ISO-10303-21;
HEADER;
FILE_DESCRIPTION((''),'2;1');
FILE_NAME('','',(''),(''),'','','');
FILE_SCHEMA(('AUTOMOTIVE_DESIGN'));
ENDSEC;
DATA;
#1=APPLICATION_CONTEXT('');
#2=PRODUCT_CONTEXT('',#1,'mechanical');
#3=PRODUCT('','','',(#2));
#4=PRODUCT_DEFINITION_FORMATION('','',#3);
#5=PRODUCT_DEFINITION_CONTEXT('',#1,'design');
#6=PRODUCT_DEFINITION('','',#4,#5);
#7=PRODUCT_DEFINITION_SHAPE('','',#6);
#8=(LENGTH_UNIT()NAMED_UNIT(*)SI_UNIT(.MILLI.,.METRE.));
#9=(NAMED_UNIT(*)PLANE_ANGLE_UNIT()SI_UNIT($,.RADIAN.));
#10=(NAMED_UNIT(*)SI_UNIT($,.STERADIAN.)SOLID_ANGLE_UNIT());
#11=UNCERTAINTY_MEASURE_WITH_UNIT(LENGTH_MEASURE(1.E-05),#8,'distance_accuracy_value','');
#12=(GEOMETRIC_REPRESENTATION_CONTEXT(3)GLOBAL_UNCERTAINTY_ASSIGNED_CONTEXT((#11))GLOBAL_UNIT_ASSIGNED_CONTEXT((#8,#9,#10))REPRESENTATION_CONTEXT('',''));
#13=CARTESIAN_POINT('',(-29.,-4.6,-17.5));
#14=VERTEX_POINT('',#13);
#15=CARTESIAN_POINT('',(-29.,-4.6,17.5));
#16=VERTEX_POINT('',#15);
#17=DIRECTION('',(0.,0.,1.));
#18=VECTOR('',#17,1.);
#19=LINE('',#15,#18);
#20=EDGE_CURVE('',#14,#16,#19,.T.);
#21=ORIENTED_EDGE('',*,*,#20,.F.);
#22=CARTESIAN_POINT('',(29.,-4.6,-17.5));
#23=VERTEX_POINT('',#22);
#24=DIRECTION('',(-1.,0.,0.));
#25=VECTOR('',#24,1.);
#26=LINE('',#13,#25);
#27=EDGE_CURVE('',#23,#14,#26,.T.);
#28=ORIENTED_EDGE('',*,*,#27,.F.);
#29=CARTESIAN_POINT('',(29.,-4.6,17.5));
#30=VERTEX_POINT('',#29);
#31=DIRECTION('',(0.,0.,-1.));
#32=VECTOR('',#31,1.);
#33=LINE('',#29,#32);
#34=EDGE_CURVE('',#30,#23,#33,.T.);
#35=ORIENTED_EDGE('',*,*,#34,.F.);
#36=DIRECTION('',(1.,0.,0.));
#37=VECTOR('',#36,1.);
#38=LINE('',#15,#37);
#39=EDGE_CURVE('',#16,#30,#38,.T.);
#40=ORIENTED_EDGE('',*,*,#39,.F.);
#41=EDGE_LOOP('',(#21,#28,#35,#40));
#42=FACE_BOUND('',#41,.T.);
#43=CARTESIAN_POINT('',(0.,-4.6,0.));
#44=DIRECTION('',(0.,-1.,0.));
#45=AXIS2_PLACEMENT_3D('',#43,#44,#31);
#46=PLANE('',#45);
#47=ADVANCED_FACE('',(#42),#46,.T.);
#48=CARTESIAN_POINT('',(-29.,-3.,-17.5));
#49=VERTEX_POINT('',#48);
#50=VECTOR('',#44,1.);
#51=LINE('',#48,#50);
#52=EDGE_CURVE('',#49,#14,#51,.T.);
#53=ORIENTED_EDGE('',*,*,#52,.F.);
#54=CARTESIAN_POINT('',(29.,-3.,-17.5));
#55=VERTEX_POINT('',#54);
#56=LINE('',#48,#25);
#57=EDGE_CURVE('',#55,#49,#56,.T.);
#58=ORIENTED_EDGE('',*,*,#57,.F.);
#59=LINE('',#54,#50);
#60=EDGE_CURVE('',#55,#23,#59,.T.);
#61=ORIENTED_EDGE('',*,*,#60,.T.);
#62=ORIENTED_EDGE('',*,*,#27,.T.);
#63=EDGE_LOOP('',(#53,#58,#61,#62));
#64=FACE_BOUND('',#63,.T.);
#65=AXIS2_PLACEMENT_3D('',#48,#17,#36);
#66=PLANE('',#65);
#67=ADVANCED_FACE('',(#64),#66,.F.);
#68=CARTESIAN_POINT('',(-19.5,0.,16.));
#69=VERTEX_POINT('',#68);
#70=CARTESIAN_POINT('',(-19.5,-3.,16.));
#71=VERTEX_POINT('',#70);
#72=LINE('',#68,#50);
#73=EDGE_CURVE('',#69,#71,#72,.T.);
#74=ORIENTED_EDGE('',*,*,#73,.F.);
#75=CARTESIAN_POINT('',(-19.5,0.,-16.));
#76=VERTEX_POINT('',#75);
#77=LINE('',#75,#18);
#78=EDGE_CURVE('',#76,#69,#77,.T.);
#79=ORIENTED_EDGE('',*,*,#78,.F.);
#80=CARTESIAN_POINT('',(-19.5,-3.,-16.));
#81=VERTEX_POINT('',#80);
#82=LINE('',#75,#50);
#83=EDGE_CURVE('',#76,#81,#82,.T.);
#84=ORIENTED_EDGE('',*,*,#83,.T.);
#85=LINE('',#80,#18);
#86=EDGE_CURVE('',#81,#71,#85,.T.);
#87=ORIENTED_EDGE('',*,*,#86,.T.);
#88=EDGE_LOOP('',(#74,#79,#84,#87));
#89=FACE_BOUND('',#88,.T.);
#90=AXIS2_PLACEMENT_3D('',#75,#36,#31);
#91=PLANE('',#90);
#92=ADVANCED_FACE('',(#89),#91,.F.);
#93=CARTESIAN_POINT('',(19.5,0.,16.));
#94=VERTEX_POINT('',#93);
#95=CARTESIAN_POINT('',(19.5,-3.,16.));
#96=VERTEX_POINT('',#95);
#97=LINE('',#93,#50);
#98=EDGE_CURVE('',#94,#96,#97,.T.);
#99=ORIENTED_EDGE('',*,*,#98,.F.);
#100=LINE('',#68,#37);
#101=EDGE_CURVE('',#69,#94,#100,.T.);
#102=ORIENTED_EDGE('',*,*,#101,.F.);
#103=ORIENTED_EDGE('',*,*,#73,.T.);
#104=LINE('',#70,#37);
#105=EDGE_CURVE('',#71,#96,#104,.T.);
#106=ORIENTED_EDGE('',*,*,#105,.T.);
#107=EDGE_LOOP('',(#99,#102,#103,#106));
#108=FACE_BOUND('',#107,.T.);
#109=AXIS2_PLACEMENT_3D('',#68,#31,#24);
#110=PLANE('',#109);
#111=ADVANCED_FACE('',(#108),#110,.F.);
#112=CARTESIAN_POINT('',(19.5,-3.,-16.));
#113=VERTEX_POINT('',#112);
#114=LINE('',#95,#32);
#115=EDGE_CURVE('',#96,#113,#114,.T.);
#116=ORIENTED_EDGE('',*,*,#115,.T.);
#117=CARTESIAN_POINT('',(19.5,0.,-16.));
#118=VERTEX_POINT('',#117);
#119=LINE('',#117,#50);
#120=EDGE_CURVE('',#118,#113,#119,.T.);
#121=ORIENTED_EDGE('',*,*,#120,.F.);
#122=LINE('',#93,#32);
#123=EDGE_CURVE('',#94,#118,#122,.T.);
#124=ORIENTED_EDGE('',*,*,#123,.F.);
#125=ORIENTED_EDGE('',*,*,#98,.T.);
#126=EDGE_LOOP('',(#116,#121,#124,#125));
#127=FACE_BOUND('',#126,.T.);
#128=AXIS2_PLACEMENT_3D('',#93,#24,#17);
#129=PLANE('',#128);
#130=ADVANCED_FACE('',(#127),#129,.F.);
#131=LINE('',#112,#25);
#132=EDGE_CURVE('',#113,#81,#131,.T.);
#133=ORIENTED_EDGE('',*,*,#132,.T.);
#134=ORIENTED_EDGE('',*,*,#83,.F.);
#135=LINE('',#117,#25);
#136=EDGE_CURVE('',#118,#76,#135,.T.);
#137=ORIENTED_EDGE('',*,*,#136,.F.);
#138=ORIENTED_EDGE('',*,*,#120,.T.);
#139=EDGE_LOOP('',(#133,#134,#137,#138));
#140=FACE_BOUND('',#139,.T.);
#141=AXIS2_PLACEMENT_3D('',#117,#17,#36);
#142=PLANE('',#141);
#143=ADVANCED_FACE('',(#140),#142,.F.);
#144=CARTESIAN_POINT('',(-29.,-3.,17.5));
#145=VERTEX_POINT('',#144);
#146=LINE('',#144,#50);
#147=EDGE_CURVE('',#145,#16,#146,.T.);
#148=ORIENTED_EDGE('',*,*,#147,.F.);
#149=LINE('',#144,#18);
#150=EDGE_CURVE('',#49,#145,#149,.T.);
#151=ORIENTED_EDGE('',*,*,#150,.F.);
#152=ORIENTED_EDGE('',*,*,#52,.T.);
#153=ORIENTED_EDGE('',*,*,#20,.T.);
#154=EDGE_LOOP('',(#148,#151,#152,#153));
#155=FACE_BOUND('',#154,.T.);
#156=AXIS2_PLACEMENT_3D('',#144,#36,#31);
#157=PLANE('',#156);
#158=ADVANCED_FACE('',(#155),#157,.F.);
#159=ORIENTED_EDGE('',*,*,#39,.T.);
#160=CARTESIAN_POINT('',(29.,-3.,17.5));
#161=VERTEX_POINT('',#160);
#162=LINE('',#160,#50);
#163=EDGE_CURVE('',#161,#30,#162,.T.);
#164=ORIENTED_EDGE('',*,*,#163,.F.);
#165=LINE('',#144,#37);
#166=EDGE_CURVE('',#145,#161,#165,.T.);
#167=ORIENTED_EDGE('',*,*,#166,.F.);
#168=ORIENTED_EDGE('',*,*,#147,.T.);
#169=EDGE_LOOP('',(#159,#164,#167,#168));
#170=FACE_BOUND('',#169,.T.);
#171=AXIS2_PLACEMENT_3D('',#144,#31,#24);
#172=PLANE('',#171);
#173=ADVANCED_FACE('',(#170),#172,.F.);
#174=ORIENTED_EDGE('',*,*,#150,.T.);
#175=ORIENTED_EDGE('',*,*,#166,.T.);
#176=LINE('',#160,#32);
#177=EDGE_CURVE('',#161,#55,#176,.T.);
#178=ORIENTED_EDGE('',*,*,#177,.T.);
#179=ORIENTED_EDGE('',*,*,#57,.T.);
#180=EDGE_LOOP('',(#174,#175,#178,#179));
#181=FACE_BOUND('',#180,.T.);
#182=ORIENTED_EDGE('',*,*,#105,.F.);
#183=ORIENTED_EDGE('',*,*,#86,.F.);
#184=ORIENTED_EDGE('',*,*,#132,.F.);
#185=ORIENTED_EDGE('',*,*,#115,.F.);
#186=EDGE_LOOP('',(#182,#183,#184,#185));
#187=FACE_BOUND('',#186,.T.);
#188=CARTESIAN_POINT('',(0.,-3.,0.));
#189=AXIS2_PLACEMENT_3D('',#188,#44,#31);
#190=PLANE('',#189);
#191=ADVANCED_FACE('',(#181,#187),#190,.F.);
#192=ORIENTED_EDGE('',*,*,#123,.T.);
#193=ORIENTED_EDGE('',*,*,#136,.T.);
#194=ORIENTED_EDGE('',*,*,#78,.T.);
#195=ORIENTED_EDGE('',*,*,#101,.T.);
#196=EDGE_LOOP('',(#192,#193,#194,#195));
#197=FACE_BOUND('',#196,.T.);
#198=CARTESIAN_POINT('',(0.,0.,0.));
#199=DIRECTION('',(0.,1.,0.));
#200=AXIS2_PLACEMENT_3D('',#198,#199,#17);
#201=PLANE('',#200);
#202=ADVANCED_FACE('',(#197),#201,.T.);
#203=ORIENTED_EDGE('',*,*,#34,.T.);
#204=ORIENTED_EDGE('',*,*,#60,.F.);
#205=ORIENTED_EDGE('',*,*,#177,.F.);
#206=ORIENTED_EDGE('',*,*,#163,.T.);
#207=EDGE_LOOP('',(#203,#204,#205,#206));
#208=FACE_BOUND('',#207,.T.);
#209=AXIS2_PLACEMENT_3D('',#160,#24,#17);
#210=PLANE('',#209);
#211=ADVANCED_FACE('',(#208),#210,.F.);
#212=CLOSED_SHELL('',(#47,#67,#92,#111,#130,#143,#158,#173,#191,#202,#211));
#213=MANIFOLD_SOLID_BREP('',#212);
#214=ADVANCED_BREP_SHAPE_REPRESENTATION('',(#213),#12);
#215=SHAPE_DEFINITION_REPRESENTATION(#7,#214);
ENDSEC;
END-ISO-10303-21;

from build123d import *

# Parameters (mm, degrees)
LCD_GLASS_START = -3
SKETCH1_W       = 39
SKETCH1_H       = 32
LCD_GLASS_DEPTH = 3
BOARD_START     = -4.6
SKETCH2_W       = 58
SKETCH2_H       = 35
BOARD_DEPTH     = 1.6


with BuildPart() as part:
    # Sketch1 → LCD_Glass (new body)
    with BuildSketch(Plane(origin=(0, 0, 0), x_dir=(1, 0, 0), z_dir=(0, 1, 0)).offset(LCD_GLASS_START)):
        Rectangle(SKETCH1_W, SKETCH1_H)
    extrude(amount=LCD_GLASS_DEPTH)

    # Sketch2 → Board (add)
    with BuildSketch(Plane(origin=(0, 0, 0), x_dir=(1, 0, 0), z_dir=(0, 1, 0)).offset(BOARD_START)):
        Rectangle(SKETCH2_W, SKETCH2_H)
    extrude(amount=BOARD_DEPTH)


solid = part.part
